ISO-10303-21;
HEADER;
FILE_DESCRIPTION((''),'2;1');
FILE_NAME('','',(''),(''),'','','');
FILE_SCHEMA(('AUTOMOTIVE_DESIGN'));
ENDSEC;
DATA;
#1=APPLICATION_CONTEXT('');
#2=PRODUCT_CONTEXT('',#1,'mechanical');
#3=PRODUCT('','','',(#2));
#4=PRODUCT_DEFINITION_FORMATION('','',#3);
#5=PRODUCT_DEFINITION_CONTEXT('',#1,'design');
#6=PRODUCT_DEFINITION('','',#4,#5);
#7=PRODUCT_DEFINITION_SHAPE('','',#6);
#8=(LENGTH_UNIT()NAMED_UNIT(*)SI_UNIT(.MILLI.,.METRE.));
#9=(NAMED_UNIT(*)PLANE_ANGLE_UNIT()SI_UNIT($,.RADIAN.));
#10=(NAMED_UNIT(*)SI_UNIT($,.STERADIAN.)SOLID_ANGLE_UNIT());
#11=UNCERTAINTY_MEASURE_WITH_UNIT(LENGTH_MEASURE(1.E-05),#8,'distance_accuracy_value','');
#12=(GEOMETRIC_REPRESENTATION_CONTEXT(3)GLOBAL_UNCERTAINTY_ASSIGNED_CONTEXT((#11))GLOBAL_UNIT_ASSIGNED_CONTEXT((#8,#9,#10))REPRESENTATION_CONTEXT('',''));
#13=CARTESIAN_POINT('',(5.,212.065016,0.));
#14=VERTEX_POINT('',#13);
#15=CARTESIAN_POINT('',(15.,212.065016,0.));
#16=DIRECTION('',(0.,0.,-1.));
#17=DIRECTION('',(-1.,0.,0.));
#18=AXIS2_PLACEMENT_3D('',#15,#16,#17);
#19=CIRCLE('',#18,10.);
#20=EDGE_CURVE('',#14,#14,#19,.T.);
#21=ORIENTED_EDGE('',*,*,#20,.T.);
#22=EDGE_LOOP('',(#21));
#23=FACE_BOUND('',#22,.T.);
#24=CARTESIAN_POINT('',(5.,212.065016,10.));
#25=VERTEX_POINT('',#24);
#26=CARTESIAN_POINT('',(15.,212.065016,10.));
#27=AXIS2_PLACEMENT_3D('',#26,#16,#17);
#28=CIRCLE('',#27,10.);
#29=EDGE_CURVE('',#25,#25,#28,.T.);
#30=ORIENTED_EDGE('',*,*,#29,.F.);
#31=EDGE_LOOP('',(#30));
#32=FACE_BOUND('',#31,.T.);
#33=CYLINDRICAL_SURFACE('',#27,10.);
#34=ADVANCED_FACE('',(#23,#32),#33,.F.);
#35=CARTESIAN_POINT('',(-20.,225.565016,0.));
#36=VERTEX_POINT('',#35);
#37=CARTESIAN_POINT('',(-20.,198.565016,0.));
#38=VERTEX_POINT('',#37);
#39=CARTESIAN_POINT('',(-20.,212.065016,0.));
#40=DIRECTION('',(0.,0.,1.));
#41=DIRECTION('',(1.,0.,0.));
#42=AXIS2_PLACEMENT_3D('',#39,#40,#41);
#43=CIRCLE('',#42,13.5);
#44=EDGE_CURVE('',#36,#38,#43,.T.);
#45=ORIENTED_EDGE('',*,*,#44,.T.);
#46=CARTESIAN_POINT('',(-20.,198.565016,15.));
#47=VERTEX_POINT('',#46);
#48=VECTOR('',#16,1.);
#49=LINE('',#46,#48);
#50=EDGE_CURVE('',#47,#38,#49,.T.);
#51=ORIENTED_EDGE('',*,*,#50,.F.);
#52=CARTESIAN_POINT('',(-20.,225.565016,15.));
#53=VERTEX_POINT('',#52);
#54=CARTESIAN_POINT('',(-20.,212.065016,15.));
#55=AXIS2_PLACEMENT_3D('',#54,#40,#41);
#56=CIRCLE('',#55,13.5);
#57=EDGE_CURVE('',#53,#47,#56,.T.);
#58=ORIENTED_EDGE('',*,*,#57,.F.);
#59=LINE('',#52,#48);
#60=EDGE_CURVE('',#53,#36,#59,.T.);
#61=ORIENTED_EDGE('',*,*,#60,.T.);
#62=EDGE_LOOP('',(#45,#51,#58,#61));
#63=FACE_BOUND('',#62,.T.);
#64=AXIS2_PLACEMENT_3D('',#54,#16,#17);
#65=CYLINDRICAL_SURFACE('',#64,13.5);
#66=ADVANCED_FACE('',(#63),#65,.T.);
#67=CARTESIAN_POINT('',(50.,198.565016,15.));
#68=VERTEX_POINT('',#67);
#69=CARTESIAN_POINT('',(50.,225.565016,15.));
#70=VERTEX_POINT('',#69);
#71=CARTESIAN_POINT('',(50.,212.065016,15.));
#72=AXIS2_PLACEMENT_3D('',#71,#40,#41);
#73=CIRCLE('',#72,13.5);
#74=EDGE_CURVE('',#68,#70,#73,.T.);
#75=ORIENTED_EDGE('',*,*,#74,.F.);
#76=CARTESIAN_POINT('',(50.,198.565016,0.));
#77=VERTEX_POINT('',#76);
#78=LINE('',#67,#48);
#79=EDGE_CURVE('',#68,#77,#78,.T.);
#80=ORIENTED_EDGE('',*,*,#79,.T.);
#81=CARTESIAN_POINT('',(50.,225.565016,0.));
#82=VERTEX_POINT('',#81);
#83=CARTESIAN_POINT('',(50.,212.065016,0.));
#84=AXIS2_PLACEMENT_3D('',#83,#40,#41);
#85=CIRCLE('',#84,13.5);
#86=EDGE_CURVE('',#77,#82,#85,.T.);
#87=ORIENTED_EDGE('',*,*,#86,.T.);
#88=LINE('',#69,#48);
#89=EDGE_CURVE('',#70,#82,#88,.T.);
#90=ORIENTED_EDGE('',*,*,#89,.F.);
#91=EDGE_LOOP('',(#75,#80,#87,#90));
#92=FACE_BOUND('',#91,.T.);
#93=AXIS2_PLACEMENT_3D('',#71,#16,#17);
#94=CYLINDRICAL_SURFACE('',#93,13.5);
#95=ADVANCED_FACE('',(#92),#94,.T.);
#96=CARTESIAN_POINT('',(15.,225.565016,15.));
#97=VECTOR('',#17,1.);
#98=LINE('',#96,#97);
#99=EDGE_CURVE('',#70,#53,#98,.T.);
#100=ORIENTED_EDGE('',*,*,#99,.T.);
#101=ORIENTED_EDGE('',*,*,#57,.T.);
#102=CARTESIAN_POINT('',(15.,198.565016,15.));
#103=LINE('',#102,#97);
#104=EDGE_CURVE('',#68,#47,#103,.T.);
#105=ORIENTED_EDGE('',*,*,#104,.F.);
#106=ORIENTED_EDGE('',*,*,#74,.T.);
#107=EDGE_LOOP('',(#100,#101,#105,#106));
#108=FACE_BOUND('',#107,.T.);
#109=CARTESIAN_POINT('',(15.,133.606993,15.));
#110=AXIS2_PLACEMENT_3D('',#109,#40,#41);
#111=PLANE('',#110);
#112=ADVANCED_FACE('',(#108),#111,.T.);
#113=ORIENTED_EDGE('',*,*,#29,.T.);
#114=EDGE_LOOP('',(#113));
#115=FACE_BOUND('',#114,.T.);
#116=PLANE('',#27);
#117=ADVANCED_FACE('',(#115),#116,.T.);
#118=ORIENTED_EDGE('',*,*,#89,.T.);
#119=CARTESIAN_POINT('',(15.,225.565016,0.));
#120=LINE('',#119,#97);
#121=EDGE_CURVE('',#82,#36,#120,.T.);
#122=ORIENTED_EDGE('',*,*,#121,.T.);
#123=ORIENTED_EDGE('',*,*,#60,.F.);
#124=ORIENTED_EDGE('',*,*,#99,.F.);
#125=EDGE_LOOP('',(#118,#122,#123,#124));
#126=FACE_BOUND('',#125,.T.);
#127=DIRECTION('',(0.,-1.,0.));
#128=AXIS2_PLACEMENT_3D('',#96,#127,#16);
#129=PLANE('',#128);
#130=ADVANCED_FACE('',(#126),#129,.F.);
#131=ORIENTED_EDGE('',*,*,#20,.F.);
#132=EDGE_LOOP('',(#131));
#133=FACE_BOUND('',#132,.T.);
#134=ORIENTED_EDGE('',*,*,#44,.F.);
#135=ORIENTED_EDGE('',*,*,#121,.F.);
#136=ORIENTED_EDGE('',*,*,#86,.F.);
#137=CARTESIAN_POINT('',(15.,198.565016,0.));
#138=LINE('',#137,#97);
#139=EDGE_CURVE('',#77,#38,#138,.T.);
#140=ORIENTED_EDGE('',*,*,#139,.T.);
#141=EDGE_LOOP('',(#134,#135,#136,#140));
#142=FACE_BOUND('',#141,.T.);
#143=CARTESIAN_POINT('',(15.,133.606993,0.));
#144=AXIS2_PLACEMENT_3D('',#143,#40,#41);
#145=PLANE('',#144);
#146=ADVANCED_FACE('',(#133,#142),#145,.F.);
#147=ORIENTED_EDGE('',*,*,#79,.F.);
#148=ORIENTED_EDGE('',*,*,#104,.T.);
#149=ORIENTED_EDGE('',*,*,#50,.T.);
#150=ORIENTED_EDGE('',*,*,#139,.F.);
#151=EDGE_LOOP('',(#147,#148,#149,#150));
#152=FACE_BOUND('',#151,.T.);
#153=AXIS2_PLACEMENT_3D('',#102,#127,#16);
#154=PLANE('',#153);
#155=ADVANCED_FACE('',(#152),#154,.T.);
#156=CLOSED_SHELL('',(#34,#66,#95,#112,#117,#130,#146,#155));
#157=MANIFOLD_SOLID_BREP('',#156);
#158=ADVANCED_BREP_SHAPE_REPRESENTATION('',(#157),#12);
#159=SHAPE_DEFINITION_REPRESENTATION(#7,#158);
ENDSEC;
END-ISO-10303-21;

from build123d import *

# Parameters (mm, degrees)
EXTRUDE1_DEPTH = 15
SKETCH2_R      = 10
EXTRUDE2_DEPTH = 10


with BuildPart() as part:
    # Sketch1 → Extrude1 (new body)
    with BuildSketch(Plane.XY):
        with BuildLine():
            Line((50, 198.565015772), (-20, 198.565015772))
            ThreePointArc((-20, 198.565015772), (-33.5, 212.065015772), (-20, 225.565015772))
            Line((-20, 225.565015772), (50, 225.565015772))
            ThreePointArc((50, 225.565015772), (63.5, 212.065015772), (50, 198.565015772))
        make_face()
    extrude(amount=EXTRUDE1_DEPTH)

    # Sketch2 → Extrude2 (cut)
    with BuildSketch(Plane(origin=(0, 0, 0), x_dir=(-1, 0, 0), z_dir=(0, 0, -1))):
        with Locations((-15, 212.065015772)):
            Circle(SKETCH2_R)
    extrude(amount=-EXTRUDE2_DEPTH, mode=Mode.SUBTRACT)


solid = part.part
